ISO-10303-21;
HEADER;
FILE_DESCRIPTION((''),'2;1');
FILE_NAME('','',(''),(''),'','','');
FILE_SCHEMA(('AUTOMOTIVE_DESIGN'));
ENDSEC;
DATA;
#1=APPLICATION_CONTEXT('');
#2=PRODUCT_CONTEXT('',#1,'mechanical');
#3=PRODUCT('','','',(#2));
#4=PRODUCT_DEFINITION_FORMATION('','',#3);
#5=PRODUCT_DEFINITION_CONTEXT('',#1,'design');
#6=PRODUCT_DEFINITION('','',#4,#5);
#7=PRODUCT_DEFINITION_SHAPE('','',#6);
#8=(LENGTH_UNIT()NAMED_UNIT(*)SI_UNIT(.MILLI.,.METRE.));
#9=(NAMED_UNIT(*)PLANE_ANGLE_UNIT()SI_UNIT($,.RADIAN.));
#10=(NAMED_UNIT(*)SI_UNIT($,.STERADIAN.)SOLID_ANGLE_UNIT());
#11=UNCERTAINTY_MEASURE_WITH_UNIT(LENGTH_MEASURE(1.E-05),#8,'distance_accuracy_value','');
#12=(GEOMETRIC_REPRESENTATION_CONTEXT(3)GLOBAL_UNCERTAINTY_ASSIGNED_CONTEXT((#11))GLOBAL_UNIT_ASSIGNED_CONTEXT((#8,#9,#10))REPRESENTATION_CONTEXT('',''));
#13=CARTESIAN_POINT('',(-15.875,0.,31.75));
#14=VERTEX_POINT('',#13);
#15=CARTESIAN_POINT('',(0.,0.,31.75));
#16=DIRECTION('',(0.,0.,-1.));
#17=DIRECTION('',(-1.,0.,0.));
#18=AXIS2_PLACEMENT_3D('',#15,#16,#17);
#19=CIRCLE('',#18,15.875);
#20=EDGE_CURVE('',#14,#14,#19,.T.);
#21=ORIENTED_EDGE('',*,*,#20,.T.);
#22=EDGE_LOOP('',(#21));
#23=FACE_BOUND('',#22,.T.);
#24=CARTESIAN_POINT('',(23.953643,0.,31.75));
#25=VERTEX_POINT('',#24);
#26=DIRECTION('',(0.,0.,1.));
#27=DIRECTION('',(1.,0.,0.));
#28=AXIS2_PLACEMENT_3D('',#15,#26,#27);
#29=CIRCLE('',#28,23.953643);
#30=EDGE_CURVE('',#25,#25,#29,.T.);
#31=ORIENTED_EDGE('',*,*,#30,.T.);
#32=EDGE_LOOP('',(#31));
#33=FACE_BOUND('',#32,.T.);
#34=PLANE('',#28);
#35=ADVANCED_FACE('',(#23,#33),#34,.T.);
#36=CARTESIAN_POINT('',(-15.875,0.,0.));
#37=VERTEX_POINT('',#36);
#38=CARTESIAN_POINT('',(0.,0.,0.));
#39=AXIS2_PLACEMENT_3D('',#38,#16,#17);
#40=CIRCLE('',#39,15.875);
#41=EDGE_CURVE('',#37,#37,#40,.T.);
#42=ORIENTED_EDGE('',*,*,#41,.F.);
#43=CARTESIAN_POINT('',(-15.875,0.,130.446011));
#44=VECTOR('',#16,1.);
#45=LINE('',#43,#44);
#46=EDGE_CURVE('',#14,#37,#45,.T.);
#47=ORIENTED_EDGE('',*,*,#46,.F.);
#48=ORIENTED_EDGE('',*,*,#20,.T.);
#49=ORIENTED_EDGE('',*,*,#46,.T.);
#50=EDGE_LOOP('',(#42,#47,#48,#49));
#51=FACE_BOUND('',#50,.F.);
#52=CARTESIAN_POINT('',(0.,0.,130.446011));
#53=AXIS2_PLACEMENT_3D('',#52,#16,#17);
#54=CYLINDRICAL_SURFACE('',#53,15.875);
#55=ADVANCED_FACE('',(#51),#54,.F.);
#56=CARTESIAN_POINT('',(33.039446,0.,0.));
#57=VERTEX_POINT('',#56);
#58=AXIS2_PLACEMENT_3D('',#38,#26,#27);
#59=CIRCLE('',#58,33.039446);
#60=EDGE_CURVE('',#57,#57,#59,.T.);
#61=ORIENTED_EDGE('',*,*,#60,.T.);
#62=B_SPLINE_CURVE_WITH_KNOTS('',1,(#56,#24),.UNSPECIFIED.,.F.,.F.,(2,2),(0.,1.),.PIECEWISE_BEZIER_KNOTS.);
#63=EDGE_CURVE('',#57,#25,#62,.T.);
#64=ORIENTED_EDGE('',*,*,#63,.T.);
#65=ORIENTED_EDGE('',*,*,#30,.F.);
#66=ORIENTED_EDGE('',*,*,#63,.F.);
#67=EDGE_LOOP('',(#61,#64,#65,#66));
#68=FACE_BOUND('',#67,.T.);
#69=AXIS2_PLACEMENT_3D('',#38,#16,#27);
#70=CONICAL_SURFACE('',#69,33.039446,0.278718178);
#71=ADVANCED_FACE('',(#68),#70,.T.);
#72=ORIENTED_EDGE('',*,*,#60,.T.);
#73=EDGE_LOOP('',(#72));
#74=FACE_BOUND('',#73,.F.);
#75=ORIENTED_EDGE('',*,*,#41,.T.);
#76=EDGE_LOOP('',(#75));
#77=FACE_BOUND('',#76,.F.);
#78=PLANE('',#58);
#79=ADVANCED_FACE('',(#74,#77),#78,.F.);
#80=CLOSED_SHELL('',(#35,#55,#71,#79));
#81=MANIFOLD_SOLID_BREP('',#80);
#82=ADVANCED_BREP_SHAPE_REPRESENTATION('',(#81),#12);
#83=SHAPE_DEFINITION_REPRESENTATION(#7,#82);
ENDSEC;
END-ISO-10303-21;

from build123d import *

# Parameters (mm, degrees)
F0_R = 33.039446
F2_R = 23.953643
F5_D = 31.75


with BuildPart() as f3:
    # F0 (on Top) → F3 section 0
    with BuildSketch(Plane.XY):
        Circle(F0_R)
    # F2 (on offset) → F3 section 1
    with BuildSketch(Plane.XY.offset(31.75)):
        Circle(F2_R)
    loft()

    # F5 (through all)
    with Locations(Plane.XY.offset(31.75)):
        with Locations((0, 0)):
            Hole(F5_D / 2)


solid = f3.part
